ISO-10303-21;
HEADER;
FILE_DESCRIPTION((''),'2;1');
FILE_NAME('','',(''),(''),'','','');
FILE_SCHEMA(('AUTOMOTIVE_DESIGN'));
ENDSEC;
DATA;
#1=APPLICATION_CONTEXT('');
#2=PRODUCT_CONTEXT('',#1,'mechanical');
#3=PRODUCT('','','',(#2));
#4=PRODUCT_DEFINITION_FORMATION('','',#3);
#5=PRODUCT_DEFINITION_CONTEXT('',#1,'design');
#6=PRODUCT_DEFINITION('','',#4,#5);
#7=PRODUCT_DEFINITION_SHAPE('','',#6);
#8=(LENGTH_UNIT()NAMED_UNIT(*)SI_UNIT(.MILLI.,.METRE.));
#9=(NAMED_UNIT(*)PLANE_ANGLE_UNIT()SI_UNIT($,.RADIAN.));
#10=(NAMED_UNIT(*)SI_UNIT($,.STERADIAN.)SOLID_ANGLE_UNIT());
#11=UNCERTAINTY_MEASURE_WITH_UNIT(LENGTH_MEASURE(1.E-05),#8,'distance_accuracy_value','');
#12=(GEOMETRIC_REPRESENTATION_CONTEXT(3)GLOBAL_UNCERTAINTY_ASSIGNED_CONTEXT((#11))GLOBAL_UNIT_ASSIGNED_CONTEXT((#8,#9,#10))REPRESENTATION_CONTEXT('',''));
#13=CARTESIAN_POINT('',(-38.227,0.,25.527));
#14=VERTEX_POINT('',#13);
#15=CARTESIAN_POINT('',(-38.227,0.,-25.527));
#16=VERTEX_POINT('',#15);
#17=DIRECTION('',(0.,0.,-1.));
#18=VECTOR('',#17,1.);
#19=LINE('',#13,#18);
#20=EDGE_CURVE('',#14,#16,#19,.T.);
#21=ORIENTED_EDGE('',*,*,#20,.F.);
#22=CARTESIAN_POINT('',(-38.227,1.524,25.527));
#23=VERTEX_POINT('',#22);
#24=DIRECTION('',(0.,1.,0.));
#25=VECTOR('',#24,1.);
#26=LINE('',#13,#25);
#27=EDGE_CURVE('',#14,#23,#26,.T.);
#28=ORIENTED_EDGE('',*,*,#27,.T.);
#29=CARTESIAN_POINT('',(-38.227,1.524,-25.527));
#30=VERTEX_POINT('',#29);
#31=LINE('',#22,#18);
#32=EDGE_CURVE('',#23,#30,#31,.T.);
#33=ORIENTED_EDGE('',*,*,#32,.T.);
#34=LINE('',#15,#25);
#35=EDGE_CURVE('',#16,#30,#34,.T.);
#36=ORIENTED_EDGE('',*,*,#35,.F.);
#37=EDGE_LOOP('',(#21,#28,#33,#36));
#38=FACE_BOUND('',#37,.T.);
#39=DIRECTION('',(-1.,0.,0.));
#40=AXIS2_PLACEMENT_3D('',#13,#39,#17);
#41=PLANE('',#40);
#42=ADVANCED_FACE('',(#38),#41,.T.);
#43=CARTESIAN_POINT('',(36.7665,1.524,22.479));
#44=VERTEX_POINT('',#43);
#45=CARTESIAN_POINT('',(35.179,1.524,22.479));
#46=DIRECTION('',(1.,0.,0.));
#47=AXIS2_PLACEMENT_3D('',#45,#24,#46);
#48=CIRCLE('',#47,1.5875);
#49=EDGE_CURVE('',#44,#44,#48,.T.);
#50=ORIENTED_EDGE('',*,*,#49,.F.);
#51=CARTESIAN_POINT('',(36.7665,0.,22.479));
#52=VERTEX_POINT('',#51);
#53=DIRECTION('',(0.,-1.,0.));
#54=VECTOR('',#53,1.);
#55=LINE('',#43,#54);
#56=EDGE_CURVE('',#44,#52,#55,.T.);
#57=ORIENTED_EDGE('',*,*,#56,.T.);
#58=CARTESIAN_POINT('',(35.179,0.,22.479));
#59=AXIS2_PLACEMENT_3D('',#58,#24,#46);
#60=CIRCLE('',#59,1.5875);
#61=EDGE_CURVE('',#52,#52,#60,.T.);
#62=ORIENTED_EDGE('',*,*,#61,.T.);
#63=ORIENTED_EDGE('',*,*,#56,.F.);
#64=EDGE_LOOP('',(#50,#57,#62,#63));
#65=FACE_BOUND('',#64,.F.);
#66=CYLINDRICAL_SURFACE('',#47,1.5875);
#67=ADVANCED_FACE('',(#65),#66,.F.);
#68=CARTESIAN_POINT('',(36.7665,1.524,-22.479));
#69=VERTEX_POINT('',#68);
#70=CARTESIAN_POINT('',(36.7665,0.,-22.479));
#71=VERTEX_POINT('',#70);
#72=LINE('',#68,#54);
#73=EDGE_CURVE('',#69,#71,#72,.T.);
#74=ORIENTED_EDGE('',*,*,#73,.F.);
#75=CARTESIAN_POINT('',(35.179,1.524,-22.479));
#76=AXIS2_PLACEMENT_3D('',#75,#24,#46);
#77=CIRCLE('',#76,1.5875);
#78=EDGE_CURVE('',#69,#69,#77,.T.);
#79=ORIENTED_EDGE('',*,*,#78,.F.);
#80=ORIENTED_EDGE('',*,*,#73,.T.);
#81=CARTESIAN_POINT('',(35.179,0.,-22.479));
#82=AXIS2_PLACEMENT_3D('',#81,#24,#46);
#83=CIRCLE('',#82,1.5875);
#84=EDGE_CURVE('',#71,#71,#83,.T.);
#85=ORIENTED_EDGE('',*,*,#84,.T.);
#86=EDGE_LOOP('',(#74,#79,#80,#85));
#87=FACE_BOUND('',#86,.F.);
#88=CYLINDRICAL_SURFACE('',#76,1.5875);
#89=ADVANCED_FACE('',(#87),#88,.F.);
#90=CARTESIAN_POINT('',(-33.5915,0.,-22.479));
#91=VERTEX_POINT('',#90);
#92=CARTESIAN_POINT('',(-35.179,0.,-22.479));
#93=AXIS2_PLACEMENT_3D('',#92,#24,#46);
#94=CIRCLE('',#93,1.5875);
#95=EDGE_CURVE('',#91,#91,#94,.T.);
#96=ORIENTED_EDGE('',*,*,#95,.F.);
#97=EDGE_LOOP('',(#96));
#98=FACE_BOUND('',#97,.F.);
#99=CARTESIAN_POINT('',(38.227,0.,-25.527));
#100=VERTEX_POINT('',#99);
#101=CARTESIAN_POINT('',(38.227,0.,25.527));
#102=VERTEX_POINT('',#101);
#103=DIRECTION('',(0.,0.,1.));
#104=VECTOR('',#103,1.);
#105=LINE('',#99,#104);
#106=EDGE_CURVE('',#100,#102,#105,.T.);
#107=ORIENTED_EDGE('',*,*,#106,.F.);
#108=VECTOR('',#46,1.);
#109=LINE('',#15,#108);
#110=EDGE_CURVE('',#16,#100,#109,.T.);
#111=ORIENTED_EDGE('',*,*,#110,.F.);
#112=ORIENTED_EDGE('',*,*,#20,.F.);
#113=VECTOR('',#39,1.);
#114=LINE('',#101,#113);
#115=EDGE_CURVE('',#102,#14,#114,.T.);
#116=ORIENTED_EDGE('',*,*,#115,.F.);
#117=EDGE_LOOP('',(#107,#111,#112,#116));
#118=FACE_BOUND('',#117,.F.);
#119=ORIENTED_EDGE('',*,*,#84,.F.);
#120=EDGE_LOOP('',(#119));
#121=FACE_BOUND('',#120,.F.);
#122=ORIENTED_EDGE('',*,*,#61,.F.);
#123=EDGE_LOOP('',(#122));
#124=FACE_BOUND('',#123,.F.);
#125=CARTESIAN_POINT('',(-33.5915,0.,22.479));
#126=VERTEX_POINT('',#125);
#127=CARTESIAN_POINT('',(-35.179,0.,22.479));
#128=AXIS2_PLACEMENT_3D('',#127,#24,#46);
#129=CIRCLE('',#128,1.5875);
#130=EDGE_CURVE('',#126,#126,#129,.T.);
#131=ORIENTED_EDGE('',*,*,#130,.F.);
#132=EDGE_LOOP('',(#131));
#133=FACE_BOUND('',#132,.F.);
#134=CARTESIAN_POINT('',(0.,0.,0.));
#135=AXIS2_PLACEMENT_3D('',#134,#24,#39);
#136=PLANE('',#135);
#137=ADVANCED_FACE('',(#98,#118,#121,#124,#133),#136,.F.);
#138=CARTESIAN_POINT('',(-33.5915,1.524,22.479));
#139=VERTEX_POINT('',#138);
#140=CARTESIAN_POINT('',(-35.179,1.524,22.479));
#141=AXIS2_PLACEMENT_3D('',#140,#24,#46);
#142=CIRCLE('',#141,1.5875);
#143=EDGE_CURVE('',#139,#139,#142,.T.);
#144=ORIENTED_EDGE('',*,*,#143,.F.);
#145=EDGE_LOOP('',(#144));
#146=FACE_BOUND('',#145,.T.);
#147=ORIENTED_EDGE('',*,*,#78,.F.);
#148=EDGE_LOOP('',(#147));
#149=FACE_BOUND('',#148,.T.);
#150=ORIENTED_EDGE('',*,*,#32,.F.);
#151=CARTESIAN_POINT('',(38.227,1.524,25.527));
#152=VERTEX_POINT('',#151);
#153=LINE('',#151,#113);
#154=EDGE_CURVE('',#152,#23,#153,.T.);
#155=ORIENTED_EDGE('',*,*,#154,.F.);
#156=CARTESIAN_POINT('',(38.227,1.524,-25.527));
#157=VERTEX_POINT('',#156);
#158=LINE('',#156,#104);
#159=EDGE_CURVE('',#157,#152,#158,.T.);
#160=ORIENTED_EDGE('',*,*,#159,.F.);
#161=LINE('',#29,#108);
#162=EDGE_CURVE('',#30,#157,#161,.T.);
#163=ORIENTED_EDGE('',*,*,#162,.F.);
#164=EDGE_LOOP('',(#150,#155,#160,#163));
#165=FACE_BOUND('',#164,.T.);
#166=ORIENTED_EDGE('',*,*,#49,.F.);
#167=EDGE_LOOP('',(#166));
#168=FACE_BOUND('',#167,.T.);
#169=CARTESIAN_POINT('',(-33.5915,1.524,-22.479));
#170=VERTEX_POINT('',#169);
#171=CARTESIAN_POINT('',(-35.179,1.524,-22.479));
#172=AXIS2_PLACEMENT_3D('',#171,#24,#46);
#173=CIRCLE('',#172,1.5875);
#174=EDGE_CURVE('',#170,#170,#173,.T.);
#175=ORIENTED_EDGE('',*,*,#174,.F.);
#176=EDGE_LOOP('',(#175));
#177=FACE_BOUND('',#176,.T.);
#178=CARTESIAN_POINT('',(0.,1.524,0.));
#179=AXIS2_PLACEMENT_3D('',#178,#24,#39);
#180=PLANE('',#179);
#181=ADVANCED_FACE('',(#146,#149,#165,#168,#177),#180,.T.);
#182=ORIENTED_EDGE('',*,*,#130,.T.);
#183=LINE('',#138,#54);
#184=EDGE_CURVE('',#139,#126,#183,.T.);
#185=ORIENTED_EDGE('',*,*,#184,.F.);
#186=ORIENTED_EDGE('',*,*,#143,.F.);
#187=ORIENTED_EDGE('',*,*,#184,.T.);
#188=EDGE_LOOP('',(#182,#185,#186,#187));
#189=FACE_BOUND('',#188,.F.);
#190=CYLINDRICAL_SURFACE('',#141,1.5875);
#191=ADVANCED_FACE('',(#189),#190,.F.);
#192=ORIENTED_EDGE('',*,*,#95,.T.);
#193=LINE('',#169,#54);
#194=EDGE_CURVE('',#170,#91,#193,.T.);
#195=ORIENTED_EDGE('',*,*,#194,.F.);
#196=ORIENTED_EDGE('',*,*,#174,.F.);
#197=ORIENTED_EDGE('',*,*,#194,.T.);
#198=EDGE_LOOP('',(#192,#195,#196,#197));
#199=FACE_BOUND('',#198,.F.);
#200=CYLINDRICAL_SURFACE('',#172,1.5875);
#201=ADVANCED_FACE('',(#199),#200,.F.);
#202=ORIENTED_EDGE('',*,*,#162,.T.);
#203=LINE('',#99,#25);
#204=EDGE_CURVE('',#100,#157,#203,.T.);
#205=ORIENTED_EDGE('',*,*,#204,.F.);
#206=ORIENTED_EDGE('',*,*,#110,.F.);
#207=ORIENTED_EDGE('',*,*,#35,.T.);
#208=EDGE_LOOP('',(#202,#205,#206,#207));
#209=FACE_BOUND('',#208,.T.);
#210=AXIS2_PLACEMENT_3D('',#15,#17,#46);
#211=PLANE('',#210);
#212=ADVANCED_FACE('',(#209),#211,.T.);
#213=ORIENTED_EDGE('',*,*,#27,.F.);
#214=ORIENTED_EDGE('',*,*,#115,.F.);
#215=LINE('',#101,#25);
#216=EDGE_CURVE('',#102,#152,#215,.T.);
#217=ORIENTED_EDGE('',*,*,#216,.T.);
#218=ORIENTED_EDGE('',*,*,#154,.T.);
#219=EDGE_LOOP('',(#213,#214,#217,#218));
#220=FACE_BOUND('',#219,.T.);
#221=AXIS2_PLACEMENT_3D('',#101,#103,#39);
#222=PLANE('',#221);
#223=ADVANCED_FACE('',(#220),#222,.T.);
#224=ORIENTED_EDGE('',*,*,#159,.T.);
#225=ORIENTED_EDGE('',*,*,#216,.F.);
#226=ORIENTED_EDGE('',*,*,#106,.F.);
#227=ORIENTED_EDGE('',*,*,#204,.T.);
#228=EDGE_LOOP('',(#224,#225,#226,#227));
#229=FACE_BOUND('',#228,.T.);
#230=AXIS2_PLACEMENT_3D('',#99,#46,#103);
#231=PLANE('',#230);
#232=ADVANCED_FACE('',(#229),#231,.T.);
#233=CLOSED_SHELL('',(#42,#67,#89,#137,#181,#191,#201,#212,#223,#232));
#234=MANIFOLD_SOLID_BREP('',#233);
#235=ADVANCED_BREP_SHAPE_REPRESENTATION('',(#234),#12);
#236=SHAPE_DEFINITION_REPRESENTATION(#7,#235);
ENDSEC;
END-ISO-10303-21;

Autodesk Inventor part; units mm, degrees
ref_plane "YZ Plane" through (0, 0, 0) normal (1, 0, 0) x (0, 1, 0)
ref_plane "XZ Plane" through (0, 0, 0) normal (0, 1, 0) x (-1, 0, 0)
ref_plane "XY Plane" through (0, 0, 0) normal (0, 0, 1) x (1, 0, 0)
sketch "Sketch1" plane through (0, 0, 0) normal (0, 1, 0) x (-1, 0, 0)
  line L0 (-38.227, 25.527) -> (38.227, 25.527)
  line L1 (38.227, 25.527) -> (38.227, -25.527)
  line L2 (38.227, -25.527) -> (-38.227, -25.527)
  line L3 (-38.227, -25.527) -> (-38.227, 25.527)
  line L4 (-38.227, 25.527) -> (38.227, -25.527) construction
  point P0 (0, 0)
  point P1 (0, 0)
  dimension "d0" = 76.454
  dimension "d1" = 51.054
extrude "Extrusion1" add sketch "Sketch1" along normal blind 1.524
sketch "Sketch2" plane through (0, 1.524, 0) normal (0, 1, 0) x (1, 0, 0)
  line L0 (-38.227, -25.527) -> (38.227, -25.527) projected
  line L1 (38.227, -25.527) -> (38.227, 25.527) projected
  line L2 (38.227, 25.527) -> (-38.227, 25.527) projected
  line L3 (-38.227, 25.527) -> (-38.227, -25.527) projected
  circle A0 centre (-35.179, 22.479) radius 1.5875
  circle A1 centre (-35.179, -22.479) radius 1.5875
  circle A2 centre (35.179, 22.479) radius 1.5875
  circle A3 centre (35.179, -22.479) radius 1.5875
  point P0 (0, 0)
  dimension "d4" = 3.175
  dimension "d5" = 3.048
  dimension "d6" = 3.048
  dimension "d7" = 3.048
  dimension "d8" = 3.048
  dimension "d9" = 3.048
  dimension "d10" = 3.048
  dimension "d11" = 3.048
  dimension "d12" = 3.048
extrude "Extrusion2" cut sketch "Sketch2" against normal up to next contours A0 | A1 | A2 | A3
properties part number "MainBoard" material "Silicon Nitride"
